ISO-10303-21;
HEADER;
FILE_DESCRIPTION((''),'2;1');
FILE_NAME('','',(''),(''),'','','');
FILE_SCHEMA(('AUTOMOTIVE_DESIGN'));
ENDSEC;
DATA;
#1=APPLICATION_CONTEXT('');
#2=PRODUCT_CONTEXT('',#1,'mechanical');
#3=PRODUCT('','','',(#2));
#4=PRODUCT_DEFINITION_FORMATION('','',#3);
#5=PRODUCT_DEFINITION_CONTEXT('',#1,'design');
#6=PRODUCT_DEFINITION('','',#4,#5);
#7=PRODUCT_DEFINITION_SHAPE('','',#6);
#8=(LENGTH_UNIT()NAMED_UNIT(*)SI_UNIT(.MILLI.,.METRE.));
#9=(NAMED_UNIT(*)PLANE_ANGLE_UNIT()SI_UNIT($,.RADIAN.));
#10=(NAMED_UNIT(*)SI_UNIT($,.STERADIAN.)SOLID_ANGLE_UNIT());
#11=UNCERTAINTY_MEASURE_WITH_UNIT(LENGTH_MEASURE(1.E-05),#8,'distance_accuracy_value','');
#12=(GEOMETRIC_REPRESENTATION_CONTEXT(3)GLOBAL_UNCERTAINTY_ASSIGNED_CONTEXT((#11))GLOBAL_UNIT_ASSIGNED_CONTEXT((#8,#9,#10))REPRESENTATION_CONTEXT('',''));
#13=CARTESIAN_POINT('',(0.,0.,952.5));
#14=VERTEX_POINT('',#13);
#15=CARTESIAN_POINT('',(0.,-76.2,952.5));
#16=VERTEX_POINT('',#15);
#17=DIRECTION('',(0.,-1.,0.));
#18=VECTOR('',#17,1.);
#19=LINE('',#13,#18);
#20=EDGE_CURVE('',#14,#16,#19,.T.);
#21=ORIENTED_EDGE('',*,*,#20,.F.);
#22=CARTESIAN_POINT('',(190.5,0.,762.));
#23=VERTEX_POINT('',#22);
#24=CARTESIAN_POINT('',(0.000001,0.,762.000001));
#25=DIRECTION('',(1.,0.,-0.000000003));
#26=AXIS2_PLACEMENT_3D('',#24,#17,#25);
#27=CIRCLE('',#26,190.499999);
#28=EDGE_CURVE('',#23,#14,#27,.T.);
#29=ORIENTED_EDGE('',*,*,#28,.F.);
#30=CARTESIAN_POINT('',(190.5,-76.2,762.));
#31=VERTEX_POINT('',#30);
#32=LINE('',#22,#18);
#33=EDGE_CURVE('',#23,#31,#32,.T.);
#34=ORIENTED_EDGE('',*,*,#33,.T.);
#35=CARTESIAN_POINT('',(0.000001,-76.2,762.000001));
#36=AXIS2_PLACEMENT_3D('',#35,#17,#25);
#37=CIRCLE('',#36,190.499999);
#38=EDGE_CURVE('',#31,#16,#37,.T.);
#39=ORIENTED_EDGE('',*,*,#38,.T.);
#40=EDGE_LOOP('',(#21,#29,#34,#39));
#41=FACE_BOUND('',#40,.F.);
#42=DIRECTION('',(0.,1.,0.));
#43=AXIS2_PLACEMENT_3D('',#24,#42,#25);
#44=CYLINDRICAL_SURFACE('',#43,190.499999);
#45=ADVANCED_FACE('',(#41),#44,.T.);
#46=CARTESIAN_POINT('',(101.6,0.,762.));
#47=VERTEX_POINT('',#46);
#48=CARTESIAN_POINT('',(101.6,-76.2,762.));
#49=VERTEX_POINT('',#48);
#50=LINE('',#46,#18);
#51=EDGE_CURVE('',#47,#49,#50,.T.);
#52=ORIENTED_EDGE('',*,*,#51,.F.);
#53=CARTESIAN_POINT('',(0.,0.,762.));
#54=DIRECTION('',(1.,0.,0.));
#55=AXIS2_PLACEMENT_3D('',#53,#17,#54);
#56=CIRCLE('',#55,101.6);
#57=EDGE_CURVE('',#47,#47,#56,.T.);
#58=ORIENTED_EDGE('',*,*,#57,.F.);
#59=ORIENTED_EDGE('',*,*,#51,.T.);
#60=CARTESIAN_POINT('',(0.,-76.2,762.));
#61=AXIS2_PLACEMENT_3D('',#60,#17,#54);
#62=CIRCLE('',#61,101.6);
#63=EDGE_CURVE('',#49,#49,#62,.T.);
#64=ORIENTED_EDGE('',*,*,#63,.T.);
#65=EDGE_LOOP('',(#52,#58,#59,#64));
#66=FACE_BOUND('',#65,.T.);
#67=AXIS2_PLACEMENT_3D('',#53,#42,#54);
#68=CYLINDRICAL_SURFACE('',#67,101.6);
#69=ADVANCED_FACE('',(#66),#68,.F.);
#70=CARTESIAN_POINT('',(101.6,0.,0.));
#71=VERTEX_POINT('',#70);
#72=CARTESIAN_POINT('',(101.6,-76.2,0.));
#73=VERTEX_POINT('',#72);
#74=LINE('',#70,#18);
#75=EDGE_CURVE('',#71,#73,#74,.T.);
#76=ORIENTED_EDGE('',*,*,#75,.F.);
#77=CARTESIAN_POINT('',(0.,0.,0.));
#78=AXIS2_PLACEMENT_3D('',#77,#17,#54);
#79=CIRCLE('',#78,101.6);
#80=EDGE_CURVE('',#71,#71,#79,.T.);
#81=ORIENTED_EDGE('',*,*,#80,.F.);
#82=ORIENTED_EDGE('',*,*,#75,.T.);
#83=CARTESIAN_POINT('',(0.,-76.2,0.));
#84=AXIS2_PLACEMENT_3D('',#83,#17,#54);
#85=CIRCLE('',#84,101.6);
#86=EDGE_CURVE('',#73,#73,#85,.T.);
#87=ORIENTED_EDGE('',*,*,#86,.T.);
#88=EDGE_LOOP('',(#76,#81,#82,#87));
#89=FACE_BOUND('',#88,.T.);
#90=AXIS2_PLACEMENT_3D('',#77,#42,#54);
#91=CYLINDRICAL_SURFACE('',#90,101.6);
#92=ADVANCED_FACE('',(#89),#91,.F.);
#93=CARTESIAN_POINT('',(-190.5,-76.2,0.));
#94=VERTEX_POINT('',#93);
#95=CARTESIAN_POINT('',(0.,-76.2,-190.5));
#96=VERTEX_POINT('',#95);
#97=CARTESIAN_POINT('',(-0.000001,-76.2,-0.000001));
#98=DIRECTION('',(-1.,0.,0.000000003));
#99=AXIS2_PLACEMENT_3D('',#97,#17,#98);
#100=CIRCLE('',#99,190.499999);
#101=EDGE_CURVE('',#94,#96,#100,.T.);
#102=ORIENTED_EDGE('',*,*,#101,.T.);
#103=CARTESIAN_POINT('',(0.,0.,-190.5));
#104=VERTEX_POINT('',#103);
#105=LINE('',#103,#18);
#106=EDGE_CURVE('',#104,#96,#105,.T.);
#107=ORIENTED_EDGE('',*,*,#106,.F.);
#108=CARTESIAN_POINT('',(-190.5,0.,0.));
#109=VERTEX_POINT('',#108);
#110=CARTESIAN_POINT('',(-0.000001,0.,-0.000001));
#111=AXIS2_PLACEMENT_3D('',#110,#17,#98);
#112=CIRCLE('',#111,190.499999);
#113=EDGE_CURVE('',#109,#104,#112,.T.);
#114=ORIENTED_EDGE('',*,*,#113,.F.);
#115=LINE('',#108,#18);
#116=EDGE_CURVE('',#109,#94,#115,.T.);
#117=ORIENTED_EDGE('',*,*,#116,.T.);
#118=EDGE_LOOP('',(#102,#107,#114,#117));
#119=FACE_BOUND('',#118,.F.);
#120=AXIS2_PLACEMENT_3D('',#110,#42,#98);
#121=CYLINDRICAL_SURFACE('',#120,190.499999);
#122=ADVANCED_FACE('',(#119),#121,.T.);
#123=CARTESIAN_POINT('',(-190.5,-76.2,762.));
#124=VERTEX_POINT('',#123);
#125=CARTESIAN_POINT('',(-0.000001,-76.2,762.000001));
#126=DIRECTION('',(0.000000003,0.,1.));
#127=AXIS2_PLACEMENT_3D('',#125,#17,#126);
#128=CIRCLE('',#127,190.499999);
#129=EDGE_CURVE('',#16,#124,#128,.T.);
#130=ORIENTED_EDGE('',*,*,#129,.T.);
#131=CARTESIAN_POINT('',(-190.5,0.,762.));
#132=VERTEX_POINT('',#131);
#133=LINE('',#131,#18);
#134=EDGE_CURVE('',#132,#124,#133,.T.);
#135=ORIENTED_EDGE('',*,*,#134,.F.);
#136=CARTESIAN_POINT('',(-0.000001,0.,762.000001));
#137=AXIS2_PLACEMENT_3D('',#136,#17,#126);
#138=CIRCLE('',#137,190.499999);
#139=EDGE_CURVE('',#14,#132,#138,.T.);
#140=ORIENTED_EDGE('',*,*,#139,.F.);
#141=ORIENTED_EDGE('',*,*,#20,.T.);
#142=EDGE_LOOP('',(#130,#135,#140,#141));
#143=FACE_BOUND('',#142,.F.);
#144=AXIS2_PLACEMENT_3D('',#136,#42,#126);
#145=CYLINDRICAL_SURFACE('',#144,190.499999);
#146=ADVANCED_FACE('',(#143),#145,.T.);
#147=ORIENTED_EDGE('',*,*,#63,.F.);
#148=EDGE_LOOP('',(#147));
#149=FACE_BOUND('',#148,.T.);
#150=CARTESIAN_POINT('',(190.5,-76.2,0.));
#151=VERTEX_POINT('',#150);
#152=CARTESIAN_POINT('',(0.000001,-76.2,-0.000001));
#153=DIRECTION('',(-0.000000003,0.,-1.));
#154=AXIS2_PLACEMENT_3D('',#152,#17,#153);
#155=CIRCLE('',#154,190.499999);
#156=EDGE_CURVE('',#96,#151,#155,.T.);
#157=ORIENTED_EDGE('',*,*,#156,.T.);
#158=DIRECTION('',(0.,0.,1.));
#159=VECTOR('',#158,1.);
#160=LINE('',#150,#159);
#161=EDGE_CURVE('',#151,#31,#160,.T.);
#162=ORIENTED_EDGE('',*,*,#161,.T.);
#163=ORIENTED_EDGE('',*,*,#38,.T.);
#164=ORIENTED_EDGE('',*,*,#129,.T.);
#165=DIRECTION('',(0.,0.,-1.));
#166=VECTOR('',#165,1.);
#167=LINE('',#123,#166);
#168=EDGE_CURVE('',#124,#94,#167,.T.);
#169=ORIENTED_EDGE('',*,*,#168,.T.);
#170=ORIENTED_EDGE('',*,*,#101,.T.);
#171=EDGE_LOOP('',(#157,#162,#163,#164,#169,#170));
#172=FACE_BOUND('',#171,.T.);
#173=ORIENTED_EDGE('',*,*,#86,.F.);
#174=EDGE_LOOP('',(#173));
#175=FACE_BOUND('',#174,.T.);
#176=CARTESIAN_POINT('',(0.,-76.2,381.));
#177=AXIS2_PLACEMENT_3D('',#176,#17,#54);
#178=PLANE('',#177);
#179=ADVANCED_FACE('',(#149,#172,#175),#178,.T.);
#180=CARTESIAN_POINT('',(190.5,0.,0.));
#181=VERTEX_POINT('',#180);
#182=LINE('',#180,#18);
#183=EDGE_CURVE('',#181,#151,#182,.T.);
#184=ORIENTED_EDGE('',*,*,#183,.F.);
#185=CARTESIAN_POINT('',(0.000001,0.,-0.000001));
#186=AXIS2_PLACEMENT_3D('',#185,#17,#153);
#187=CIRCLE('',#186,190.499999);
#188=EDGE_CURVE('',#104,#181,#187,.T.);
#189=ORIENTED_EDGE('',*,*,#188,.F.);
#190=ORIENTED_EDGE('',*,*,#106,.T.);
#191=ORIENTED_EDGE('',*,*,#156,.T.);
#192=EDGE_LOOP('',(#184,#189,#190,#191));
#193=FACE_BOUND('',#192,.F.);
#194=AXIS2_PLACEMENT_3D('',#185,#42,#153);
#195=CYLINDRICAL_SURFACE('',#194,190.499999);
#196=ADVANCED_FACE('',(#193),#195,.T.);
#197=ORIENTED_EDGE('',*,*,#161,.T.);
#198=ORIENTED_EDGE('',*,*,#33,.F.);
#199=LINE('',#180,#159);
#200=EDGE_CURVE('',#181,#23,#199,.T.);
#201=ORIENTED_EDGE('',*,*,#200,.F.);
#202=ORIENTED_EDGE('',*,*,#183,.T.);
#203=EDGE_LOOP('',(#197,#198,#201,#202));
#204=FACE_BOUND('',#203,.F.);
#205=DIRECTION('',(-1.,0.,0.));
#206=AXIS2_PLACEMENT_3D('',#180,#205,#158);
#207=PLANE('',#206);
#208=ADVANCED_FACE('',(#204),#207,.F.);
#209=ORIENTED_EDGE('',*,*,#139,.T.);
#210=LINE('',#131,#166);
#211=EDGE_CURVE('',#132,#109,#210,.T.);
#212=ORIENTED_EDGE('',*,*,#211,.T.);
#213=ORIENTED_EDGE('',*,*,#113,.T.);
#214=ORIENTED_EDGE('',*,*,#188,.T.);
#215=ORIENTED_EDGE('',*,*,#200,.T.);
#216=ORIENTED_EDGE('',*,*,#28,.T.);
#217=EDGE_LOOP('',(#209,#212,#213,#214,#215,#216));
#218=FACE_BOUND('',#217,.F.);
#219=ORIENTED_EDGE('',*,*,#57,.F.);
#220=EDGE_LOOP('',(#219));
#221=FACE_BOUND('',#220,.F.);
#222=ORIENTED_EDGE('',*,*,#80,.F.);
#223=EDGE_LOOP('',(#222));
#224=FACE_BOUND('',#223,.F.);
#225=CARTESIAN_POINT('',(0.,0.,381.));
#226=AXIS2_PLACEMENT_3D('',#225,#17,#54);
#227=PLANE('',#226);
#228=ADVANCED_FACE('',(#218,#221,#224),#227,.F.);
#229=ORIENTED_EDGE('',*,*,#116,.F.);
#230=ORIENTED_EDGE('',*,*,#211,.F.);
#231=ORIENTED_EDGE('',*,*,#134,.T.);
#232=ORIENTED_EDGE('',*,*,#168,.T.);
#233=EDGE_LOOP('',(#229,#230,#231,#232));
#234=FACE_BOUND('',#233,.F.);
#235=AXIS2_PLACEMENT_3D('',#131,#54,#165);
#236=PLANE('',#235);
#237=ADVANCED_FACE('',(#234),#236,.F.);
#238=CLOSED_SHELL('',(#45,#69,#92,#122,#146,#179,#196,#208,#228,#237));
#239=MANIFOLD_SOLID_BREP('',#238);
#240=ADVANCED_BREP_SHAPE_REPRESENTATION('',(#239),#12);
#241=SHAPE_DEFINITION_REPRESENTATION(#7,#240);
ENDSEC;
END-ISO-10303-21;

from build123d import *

# Parameters (mm, degrees)
F0_R     = 101.6
F1_DEPTH = 76.2


with BuildPart() as f1:
    # F0 (on Front) → F1 (new body)
    with BuildSketch(Plane.XZ):
        with BuildLine():
            Line((-190.5, 762), (-190.5, 0))
            ThreePointArc((-190.5, 0), (-134.703842, -134.703842), (0, -190.5))
            ThreePointArc((0, -190.5), (134.703842, -134.703842), (190.5, 0))
            Line((190.5, 0), (190.5, 762))
            ThreePointArc((190.5, 762), (134.703842, 896.703842), (0, 952.5))
            ThreePointArc((0, 952.5), (-134.703842, 896.703842), (-190.5, 762))
        make_face()
        Circle(F0_R, mode=Mode.SUBTRACT)
        with Locations((0, 762)):
            Circle(F0_R, mode=Mode.SUBTRACT)
    extrude(amount=F1_DEPTH)


solid = f1.part
